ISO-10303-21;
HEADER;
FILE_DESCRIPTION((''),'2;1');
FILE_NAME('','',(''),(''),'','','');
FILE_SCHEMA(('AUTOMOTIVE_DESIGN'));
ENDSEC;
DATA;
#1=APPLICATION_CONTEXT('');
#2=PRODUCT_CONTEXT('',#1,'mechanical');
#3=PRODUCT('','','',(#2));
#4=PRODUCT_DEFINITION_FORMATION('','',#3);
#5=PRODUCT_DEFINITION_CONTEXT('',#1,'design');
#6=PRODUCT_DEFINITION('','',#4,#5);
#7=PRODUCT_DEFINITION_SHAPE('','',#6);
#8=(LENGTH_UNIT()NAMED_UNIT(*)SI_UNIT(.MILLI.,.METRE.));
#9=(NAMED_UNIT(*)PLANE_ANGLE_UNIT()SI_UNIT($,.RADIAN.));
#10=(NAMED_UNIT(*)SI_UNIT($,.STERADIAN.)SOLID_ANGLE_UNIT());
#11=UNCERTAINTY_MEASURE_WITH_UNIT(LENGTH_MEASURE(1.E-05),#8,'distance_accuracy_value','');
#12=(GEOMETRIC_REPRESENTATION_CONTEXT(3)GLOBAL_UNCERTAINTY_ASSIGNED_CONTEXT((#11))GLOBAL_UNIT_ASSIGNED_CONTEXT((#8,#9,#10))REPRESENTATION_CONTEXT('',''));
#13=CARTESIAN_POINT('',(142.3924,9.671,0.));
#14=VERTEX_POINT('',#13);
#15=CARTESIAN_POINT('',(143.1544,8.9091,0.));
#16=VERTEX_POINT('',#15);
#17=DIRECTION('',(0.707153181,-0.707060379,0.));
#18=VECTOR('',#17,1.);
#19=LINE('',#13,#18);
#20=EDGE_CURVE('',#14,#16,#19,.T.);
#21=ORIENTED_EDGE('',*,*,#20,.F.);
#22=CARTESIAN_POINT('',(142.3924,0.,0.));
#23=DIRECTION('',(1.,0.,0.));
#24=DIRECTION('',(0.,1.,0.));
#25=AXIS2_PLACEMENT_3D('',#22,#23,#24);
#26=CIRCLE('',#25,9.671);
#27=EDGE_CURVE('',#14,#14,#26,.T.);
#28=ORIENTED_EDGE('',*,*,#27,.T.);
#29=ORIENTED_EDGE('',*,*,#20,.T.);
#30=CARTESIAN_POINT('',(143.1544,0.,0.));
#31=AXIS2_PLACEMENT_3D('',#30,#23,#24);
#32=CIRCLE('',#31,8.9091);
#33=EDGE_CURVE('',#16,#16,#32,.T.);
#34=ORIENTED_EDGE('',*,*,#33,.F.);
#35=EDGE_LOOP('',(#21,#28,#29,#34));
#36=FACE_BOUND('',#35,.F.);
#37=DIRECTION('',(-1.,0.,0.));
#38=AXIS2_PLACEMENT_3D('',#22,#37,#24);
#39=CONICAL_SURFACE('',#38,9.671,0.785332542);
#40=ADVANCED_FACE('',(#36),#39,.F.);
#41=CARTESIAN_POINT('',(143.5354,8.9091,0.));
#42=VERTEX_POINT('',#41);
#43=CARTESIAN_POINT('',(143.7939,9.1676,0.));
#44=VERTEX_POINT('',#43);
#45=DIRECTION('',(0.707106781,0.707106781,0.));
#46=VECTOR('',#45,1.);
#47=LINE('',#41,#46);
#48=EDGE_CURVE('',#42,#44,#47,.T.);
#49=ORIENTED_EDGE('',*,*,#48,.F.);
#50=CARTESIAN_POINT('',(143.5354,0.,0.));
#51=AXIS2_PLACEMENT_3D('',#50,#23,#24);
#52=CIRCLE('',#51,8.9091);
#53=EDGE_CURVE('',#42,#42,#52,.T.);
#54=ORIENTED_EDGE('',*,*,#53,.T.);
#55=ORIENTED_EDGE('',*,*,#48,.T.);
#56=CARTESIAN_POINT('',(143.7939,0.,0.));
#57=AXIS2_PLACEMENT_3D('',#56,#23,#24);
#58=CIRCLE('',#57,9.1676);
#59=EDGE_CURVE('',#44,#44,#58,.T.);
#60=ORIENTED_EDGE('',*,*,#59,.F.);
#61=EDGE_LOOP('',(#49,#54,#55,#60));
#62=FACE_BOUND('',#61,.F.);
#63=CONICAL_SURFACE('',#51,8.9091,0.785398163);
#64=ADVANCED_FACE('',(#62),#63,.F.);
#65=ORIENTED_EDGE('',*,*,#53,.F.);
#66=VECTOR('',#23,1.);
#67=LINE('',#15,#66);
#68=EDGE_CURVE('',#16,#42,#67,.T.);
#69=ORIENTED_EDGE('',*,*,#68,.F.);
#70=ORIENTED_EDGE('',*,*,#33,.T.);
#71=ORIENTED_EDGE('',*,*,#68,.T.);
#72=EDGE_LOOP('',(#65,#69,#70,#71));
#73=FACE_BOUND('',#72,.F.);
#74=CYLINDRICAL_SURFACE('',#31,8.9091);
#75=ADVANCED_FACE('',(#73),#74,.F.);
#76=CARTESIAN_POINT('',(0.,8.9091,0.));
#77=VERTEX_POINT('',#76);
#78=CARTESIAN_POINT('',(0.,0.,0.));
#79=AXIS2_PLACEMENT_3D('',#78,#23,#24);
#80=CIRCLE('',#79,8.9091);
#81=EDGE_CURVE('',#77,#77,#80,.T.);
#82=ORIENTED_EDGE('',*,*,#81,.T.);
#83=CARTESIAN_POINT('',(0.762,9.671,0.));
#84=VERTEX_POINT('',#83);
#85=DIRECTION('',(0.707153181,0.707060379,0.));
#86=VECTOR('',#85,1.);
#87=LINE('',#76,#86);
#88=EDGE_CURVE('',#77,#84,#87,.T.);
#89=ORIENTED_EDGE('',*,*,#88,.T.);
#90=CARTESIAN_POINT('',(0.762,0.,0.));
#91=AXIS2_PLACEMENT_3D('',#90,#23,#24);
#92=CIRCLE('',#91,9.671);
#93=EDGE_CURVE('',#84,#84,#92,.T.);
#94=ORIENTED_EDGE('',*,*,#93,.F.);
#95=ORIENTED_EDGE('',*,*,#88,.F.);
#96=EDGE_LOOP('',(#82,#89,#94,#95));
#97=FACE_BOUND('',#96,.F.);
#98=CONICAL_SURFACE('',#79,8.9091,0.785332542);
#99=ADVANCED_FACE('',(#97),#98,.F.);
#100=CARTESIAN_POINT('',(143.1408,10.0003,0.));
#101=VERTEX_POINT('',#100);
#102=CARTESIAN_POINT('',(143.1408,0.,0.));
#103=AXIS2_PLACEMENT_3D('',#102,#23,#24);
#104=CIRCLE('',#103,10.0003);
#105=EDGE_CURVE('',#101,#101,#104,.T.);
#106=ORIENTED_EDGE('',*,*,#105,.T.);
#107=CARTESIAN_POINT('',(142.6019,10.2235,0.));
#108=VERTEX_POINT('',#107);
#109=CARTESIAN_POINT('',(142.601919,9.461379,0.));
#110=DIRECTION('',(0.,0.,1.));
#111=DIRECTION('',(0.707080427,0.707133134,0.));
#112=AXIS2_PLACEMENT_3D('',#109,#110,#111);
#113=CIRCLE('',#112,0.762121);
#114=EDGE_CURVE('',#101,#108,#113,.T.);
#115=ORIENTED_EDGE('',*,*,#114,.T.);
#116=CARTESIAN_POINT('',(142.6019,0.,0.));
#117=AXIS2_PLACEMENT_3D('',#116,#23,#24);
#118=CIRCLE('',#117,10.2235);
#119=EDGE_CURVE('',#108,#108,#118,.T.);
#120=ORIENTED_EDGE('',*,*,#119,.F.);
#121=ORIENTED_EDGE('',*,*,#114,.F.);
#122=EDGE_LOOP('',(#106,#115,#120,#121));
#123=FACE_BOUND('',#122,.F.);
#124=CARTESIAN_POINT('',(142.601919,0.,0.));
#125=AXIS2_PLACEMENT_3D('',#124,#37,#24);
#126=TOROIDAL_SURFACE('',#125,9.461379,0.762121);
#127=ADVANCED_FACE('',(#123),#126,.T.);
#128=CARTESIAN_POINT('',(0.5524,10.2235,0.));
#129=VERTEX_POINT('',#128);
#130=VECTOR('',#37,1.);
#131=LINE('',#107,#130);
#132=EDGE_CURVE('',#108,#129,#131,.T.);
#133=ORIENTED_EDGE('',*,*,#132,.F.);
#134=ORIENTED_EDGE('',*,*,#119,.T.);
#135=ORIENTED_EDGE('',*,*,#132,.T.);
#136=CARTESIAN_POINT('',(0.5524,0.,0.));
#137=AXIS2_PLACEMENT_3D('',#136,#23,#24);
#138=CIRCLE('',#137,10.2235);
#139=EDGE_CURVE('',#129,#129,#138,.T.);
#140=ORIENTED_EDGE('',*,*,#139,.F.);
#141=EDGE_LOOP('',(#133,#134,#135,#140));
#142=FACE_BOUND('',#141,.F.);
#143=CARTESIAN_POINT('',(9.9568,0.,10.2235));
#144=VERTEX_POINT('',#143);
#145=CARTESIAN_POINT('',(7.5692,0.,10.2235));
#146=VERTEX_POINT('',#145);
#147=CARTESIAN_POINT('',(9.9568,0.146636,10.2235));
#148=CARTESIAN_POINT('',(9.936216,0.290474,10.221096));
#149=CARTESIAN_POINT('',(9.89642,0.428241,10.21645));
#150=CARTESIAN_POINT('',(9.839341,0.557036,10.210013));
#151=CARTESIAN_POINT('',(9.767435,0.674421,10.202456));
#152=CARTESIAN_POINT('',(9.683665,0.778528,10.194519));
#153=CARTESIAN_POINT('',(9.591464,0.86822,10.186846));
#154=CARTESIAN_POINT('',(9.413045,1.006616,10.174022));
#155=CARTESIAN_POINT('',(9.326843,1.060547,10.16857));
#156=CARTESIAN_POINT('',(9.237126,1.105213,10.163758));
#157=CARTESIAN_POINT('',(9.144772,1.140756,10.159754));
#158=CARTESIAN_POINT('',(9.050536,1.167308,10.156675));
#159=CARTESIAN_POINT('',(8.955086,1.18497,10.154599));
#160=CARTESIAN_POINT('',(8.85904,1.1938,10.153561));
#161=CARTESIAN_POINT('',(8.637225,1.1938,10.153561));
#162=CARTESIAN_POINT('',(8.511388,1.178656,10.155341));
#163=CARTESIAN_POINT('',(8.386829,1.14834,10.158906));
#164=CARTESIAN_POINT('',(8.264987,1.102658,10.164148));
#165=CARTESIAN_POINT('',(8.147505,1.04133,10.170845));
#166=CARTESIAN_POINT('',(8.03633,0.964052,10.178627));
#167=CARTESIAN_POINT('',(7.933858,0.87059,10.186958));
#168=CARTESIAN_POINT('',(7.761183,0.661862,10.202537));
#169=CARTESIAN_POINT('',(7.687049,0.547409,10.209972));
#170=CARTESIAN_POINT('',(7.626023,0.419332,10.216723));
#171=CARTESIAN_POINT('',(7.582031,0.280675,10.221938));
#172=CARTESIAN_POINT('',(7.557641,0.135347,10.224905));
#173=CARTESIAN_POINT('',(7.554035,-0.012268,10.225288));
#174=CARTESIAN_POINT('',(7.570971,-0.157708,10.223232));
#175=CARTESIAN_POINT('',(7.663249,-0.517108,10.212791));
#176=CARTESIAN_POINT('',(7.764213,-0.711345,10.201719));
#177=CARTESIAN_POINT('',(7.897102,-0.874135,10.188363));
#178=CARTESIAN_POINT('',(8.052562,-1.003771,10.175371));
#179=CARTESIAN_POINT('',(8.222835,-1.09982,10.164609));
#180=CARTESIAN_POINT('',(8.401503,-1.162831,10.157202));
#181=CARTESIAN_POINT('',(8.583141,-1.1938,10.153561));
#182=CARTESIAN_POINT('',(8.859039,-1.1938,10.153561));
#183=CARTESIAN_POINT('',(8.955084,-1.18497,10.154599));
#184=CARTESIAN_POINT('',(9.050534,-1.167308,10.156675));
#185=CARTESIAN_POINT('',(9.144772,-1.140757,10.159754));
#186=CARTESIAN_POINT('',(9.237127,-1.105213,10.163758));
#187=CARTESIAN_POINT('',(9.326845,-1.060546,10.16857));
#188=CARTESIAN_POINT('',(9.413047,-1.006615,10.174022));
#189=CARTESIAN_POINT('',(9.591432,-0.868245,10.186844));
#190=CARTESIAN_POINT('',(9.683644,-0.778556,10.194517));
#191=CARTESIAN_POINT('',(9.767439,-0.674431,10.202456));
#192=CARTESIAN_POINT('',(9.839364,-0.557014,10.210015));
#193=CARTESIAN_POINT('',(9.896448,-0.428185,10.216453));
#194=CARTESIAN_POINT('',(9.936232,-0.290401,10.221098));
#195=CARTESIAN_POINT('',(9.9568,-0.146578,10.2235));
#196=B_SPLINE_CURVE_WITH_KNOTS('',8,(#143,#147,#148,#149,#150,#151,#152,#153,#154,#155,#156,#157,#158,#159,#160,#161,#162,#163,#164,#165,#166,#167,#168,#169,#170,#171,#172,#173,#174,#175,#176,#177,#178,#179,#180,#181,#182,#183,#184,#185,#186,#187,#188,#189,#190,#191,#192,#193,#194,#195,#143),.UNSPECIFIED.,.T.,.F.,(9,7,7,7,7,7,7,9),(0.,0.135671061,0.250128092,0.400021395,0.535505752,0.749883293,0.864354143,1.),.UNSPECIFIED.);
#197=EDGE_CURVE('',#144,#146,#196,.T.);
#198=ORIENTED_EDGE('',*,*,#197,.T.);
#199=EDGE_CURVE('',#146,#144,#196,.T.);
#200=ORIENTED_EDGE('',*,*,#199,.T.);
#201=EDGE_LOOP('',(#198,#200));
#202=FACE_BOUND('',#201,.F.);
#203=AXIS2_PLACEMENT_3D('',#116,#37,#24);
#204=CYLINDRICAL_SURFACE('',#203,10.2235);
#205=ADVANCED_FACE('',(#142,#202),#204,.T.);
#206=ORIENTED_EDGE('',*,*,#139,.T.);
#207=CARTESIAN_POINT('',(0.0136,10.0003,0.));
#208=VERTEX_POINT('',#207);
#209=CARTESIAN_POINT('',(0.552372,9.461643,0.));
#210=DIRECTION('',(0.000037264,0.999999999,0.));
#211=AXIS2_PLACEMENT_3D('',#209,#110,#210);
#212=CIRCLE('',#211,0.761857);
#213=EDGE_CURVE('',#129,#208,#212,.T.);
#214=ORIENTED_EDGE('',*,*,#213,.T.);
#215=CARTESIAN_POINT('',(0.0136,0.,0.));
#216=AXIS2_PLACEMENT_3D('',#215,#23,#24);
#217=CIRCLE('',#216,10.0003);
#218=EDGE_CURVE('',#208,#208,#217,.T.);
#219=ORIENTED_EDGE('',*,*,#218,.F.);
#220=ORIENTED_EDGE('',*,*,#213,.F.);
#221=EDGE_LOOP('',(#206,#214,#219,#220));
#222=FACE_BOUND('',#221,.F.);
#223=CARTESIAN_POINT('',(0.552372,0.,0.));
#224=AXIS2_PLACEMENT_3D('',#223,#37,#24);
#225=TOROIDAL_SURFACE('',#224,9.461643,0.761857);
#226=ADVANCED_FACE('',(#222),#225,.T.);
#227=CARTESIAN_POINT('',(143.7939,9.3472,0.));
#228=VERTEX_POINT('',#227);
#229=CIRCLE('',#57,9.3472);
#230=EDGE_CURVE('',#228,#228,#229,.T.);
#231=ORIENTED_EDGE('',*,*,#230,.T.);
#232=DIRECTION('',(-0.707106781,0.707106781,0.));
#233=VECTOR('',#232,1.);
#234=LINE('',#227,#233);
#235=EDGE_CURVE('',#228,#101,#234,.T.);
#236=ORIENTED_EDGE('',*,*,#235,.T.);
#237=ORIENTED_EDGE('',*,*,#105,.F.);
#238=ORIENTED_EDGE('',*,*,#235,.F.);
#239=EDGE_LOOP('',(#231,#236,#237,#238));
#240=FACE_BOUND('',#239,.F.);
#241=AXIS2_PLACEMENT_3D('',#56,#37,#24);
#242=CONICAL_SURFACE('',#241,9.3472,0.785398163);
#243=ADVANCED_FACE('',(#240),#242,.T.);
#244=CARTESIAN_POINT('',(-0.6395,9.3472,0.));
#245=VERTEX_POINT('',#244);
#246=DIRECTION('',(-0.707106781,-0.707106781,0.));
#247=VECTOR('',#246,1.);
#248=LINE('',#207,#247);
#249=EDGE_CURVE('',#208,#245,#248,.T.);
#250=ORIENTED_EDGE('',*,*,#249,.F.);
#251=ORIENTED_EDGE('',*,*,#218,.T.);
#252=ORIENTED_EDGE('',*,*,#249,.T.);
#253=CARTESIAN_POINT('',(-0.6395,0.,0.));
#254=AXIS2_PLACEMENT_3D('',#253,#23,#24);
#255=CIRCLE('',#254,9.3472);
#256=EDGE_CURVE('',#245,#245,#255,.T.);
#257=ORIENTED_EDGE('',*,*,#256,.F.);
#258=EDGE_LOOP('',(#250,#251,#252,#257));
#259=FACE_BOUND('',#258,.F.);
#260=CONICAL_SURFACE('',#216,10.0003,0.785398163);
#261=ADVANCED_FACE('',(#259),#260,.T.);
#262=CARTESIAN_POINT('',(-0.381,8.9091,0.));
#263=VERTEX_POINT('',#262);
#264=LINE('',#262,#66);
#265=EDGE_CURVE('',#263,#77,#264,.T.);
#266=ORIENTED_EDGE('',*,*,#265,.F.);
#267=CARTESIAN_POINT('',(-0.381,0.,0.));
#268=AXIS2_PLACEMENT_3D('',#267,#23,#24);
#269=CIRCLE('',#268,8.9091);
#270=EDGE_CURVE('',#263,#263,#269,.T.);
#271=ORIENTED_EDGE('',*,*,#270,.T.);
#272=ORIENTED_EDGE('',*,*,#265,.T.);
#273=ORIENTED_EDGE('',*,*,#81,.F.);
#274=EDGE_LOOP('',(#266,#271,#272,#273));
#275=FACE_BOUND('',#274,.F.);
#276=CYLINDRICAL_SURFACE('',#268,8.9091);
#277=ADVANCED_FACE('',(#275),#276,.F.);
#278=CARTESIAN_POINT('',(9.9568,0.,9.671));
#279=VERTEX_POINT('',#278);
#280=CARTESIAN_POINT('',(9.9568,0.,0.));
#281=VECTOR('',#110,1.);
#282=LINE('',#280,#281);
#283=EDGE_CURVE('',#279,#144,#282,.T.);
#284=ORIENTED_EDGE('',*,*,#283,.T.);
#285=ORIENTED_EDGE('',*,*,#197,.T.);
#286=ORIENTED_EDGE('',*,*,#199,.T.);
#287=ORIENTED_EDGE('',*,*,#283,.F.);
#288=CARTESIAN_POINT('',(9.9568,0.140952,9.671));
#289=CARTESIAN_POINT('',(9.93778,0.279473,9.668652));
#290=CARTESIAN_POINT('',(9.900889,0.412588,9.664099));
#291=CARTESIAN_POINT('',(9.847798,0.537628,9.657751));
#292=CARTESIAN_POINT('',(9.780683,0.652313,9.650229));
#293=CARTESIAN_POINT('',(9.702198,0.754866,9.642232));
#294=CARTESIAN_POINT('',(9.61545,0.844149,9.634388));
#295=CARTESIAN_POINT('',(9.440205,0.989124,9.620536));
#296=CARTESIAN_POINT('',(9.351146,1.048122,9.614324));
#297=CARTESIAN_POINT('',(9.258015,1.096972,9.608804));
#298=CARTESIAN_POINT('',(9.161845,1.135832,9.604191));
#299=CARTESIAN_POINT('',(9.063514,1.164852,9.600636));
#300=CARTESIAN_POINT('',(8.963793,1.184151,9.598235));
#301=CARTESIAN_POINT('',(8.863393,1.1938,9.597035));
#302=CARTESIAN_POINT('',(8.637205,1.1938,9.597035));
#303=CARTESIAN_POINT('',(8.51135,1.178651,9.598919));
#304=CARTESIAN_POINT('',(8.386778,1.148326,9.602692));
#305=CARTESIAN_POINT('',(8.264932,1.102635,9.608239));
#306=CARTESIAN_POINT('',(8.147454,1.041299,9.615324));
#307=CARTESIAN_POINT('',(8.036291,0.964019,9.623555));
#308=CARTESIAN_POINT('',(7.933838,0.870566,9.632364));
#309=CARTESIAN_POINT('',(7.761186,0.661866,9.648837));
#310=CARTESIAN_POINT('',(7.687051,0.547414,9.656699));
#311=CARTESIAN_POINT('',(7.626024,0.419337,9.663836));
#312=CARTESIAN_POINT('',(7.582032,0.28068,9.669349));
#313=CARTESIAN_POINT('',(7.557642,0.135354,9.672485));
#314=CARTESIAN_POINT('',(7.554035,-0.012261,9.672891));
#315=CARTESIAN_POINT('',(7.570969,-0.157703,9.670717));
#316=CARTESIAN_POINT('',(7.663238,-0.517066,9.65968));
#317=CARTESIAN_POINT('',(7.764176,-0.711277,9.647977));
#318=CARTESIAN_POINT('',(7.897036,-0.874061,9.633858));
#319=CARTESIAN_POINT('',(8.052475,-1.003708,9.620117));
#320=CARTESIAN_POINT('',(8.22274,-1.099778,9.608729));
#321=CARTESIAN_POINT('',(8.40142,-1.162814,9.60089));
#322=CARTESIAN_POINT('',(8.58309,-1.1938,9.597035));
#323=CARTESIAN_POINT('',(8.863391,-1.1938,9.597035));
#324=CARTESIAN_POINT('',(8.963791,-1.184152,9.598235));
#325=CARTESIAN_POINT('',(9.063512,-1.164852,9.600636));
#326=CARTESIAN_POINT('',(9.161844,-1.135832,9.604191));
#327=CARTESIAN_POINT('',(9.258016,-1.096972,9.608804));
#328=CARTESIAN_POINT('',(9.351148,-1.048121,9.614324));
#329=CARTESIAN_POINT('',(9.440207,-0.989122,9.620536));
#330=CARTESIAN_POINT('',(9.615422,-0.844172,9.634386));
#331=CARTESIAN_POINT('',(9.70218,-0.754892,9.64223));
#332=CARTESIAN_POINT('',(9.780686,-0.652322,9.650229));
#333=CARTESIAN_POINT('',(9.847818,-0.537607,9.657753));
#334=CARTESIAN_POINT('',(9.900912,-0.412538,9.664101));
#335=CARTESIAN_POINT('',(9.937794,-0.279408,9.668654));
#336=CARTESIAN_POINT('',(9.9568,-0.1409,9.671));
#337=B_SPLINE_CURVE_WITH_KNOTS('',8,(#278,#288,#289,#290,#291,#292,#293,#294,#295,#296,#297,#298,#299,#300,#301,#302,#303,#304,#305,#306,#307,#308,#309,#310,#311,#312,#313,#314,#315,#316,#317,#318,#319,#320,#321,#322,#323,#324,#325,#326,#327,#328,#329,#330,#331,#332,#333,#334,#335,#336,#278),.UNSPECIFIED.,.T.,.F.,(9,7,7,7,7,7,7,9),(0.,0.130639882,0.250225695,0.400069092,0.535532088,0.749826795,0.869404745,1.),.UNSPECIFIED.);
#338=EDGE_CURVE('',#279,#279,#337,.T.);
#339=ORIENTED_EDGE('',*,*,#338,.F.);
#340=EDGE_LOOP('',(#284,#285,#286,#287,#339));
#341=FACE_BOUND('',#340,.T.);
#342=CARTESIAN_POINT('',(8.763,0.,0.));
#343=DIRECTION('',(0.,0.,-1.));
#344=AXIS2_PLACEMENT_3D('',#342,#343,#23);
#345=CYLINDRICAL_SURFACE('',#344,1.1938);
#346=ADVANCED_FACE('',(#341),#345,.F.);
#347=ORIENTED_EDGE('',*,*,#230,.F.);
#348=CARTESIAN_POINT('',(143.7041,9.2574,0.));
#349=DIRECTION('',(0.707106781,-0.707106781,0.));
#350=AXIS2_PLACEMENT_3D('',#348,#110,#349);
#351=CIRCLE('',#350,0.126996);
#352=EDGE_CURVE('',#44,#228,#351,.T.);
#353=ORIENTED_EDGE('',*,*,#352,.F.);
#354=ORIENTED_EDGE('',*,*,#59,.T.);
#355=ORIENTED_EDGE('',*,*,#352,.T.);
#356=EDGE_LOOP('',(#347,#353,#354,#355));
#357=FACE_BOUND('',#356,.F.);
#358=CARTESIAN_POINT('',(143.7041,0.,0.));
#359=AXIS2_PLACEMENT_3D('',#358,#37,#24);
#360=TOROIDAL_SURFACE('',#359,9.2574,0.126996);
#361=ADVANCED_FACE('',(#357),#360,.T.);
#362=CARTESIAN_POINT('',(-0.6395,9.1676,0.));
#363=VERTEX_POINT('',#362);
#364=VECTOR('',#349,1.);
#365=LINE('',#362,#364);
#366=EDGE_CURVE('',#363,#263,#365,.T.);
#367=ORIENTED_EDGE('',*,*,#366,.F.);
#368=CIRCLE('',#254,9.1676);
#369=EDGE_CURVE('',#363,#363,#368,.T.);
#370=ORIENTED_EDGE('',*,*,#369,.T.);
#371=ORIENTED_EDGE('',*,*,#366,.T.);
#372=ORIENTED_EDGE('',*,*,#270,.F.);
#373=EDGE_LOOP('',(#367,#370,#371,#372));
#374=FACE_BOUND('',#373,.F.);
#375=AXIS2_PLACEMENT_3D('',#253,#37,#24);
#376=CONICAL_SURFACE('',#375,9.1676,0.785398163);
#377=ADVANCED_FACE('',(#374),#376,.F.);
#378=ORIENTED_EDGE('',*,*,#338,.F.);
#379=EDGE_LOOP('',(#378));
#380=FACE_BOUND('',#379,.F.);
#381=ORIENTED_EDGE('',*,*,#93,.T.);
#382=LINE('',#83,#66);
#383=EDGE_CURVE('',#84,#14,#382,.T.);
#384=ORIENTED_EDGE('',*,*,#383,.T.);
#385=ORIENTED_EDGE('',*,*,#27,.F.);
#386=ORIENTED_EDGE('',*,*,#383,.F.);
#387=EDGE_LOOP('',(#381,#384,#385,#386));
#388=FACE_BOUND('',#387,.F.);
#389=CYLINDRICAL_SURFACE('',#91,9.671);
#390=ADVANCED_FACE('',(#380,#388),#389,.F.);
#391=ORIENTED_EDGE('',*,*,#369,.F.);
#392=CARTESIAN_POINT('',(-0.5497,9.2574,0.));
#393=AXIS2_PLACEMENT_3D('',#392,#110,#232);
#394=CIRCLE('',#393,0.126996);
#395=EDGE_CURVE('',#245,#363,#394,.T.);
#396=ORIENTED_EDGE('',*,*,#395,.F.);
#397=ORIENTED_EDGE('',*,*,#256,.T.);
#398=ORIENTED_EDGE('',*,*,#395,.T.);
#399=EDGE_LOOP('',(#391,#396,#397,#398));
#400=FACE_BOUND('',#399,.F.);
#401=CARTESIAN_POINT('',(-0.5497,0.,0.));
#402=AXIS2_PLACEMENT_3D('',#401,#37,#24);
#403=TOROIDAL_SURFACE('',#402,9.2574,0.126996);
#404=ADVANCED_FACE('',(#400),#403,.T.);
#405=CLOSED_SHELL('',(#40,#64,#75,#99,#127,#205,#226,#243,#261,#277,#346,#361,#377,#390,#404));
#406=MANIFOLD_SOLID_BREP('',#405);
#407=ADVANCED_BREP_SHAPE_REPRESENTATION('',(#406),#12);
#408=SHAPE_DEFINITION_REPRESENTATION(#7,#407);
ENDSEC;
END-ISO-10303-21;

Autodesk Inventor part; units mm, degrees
sketch "Sketch_1" plane through (0, 0, 0) normal (0, 0, 1) x (1, 0, 0)
  line L0 (143.1544, 0) -> (0, 0)
  arc A0 (-0.6395, 9.3472) -> (-0.6395, 9.1676) centre (-0.5497, 9.2574) ccw
  line L1 (-0.6395, 9.1676) -> (-0.381, 8.9091)
  line L2 (-0.381, 8.9091) -> (0, 8.9091)
  line L3 (0, 8.9091) -> (0.762, 9.671)
  line L4 (0.762, 9.671) -> (142.3924, 9.671)
  line L5 (142.3924, 9.671) -> (143.1544, 8.9091)
  line L6 (143.1544, 8.9091) -> (143.5354, 8.9091)
  line L7 (143.5354, 8.9091) -> (143.7939, 9.1676)
  arc A1 (143.7939, 9.1676) -> (143.7939, 9.3472) centre (143.7041, 9.2574) ccw
  line L8 (143.7939, 9.3472) -> (143.1408, 10.0003)
  arc A2 (143.1408, 10.0003) -> (142.6019, 10.2235) centre (142.602, 9.4615) ccw
  line L9 (142.6019, 10.2235) -> (0.5524, 10.2235)
  arc A3 (0.5524, 10.2235) -> (0.0136, 10.0003) centre (0.5524, 9.4615) ccw
  line L10 (0.0136, 10.0003) -> (-0.6395, 9.3472)
revolve "Revolution1" add sketch "Sketch_1" angle 360 about axis through (143.1544, 0, 0) along (1, 0, 0)
sketch "Sketch_4" plane through (0, 0, 0) normal (0, 0, 1) x (1, 0, 0)
  circle A0 centre (8.763, 0) radius 1.1938
extrude "Extrusion1" cut sketch "Sketch_4" along normal blind 10.2235
ref_plane "tube_front_XY" through (0, 0, 0) normal (1, 0, 0) x (0, 0, -1)
ref_plane "tube_front_YZ" through (0, 0, 0) normal (0, 0, -1) x (0, 1, 0)
ref_plane "tube_front_ZX" through (0, 0, 0) normal (0, 1, 0) x (1, 0, 0)
ref_plane "tube_rear_XY" through (143.1544, 0, 0) normal (1, 0, 0) x (0, 0, -1)
ref_plane "tube_rear_YZ" through (143.1544, 0, 0) normal (0, 0, -1) x (0, 1, 0)
ref_plane "tube_rear_ZX" through (143.1544, 0, 0) normal (0, 1, 0) x (1, 0, 0)
ref_plane "cp1_XY" through (71.5772, 10.2235, 0) normal (1, 0, 0) x (0, 0, -1)
ref_plane "cp1_YZ" through (71.5772, 10.2235, 0) normal (0, 0, -1) x (0, 1, 0)
ref_plane "cp1_ZX" through (71.5772, 10.2235, 0) normal (0, 1, 0) x (1, 0, 0)
ref_plane "cp2_XY" through (71.5772, 0, -10.2235) normal (1, 0, 0) x (0, 0, -1)
ref_plane "cp2_YZ" through (71.5772, 0, -10.2235) normal (0, 0, -1) x (0, 1, 0)
ref_plane "cp2_ZX" through (71.5772, 0, -10.2235) normal (0, 1, 0) x (1, 0, 0)
ref_plane "cp3_XY" through (71.5772, -10.2235, 0) normal (1, 0, 0) x (0, 0, -1)
ref_plane "cp3_YZ" through (71.5772, -10.2235, 0) normal (0, 0, -1) x (0, 1, 0)
ref_plane "cp3_ZX" through (71.5772, -10.2235, 0) normal (0, 1, 0) x (1, 0, 0)
ref_plane "cp4_XY" through (71.5772, 0, 10.2235) normal (1, 0, 0) x (0, 0, -1)
ref_plane "cp4_YZ" through (71.5772, 0, 10.2235) normal (0, 0, -1) x (0, 1, 0)
ref_plane "cp4_ZX" through (71.5772, 0, 10.2235) normal (0, 1, 0) x (1, 0, 0)
properties part number "04-5.6362C"
